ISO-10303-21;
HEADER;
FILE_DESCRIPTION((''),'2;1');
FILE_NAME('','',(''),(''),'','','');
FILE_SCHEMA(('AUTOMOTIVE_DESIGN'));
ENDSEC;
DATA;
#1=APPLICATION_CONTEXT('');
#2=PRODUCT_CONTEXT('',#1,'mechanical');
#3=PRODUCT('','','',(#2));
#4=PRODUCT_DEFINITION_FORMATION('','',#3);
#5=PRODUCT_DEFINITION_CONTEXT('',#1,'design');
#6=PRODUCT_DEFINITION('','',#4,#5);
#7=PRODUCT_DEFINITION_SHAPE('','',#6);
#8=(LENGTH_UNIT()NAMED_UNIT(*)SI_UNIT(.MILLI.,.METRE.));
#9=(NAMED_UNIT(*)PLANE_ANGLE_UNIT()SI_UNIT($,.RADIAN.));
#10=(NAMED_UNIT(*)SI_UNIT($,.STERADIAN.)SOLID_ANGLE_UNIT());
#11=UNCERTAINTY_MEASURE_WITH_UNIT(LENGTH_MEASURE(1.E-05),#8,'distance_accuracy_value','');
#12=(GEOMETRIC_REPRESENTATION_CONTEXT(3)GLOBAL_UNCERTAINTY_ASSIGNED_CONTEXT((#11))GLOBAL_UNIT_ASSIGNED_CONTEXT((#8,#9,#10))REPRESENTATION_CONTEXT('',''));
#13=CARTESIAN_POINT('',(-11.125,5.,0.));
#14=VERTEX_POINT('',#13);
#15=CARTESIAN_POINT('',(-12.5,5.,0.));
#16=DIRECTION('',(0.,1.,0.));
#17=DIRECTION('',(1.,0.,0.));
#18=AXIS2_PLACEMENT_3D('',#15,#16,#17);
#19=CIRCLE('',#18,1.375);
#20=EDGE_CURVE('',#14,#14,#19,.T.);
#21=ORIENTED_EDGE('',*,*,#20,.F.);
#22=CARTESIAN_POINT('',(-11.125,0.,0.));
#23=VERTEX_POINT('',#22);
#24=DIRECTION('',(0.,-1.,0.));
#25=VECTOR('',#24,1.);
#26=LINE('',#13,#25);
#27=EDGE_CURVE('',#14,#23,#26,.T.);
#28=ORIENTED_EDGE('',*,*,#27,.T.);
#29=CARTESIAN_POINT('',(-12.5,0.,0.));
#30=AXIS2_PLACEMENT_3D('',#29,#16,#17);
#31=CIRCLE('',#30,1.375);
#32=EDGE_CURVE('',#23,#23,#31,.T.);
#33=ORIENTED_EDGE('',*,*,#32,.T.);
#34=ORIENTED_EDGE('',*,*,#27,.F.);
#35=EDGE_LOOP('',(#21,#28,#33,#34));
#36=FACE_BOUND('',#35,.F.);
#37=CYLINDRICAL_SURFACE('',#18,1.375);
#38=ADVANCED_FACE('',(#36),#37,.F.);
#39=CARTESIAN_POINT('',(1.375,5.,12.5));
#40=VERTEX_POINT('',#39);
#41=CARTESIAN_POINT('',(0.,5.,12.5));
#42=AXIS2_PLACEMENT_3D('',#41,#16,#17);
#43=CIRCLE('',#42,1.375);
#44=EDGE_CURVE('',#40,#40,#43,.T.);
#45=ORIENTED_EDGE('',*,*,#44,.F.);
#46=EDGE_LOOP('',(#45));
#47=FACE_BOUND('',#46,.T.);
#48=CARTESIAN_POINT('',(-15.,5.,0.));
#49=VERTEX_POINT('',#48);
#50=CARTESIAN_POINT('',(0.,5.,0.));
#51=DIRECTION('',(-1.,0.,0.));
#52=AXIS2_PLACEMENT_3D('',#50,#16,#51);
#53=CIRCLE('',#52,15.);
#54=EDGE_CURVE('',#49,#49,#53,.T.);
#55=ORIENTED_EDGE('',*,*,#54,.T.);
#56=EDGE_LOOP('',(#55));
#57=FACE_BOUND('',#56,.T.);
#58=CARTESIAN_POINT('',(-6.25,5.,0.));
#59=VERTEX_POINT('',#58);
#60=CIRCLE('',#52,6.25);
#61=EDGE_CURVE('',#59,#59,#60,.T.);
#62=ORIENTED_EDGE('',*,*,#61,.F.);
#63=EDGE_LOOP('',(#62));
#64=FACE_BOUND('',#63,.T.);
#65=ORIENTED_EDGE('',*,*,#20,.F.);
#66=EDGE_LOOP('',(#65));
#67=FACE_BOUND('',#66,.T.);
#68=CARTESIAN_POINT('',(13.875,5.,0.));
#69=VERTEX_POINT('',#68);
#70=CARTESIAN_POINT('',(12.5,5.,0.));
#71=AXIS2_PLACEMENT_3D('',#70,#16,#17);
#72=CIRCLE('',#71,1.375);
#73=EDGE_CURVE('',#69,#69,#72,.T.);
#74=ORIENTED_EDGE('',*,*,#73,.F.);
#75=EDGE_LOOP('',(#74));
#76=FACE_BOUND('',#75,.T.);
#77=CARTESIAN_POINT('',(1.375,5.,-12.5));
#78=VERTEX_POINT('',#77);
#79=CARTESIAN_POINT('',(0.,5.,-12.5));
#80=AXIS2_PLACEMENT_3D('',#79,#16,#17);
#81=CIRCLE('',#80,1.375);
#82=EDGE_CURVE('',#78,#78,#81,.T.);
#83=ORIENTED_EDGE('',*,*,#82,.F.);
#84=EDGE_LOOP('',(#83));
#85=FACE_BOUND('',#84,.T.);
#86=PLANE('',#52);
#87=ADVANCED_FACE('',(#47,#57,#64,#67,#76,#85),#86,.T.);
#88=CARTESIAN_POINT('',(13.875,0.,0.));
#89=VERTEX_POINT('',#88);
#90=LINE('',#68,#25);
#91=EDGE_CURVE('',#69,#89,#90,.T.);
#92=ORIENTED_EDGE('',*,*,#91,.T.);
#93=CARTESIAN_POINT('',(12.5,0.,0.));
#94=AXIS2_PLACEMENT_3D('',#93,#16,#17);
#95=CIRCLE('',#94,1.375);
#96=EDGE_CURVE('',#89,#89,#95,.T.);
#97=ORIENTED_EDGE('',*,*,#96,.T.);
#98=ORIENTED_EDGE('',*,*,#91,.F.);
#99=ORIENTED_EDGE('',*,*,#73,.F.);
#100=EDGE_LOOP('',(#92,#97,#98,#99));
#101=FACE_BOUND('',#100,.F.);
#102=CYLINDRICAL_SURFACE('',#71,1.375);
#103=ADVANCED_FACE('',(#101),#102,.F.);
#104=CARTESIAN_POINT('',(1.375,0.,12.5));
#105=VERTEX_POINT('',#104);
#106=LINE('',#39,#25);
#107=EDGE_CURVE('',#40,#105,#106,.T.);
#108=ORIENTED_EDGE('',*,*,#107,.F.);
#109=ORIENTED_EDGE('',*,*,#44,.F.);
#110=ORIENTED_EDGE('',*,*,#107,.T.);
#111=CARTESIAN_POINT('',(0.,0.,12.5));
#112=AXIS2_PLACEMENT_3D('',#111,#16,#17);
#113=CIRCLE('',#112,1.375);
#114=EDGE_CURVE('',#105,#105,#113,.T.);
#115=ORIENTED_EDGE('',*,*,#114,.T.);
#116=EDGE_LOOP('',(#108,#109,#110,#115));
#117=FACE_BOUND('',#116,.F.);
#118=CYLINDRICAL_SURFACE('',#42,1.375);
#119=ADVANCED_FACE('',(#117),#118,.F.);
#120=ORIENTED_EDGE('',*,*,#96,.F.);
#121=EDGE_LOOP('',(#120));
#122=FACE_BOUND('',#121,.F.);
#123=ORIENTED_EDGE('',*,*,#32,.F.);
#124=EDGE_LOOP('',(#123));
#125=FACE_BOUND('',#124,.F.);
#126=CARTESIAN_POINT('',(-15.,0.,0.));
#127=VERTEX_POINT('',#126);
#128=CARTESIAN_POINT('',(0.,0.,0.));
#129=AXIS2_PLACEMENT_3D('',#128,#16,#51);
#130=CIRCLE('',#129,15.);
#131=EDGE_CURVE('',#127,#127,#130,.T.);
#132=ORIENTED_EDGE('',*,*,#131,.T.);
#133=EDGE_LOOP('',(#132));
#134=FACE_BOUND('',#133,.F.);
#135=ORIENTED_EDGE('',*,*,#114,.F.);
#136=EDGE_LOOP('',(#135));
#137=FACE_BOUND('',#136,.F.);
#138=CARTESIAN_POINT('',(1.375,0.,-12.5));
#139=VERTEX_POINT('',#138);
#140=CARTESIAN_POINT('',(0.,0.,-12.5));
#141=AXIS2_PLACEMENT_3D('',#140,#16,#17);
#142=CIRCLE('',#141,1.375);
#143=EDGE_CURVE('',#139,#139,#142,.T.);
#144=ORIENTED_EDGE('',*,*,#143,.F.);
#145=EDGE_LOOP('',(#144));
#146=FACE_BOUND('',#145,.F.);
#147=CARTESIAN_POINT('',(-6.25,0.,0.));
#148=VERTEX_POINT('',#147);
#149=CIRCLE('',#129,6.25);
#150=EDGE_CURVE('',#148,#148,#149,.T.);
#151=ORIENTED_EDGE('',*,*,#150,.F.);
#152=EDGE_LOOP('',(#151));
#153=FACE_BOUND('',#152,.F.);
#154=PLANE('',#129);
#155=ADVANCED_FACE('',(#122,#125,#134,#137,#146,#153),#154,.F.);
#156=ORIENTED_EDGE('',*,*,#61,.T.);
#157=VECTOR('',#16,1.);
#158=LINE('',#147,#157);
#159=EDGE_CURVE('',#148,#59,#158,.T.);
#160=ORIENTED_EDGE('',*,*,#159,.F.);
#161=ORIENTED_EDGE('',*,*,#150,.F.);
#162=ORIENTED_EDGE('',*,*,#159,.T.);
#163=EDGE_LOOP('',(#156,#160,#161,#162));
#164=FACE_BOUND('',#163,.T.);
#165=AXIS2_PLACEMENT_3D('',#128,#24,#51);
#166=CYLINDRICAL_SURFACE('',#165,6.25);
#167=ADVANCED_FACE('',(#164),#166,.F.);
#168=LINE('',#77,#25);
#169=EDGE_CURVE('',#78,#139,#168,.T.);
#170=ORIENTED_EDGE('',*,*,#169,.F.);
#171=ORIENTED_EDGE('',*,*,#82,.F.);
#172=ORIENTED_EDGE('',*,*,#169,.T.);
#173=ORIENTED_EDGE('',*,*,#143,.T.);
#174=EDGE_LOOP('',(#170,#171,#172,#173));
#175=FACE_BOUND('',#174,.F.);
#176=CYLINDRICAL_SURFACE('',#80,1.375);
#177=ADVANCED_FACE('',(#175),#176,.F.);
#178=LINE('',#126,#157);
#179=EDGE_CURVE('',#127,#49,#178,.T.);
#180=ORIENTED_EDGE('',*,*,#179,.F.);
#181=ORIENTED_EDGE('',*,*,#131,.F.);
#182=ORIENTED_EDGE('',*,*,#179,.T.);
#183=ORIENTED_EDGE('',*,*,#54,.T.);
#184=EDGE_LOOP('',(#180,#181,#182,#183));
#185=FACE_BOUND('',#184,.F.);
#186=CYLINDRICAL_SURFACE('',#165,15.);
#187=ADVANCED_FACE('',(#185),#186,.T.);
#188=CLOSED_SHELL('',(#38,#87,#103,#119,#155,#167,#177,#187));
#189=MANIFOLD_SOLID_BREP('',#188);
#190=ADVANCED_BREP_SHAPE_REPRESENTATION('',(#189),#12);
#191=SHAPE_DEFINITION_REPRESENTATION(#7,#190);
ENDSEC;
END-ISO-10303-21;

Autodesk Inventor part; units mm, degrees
ref_plane "YZ Plane" through (0, 0, 0) normal (1, 0, 0) x (0, 1, 0)
ref_plane "XZ Plane" through (0, 0, 0) normal (0, 1, 0) x (-1, 0, 0)
ref_plane "XY Plane" through (0, 0, 0) normal (0, 0, 1) x (1, 0, 0)
sketch "Sketch1" plane through (0, 0, 0) normal (0, 1, 0) x (-1, 0, 0)
  circle A0 centre (0, 0) radius 15
  circle A1 centre (0, 0) radius 6.25
  dimension "d0" = 30
  dimension "d1" = 12.5
extrude "Extrusion1" add sketch "Sketch1" along normal blind 5
sketch "Sketch2" plane through (0, 5, 0) normal (0, 1, 0) x (1, 0, 0)
  line L0 (0, 0) -> (0, 15) construction
  circle A0 centre (0, 0) radius 15 construction
  circle A1 centre (0, 0) radius 12.5 construction
  line L1 (-12.5, 0) -> (0, 12.5) construction
  line L2 (0, 12.5) -> (12.5, 0) construction
  line L3 (12.5, 0) -> (0, -12.5) construction
  line L4 (0, -12.5) -> (-12.5, 0) construction
  line L5 (0, 0) -> (-15, 0) construction
  circle A2 centre (0, 12.5) radius 1.375
  circle A3 centre (-12.5, 0) radius 1.375
  circle A4 centre (0, -12.5) radius 1.375
  circle A5 centre (12.5, 0) radius 1.375
  dimension "d4" = 25
  dimension "d5" = 2.75
  dimension "d6" = 2.75
  dimension "d7" = 2.75
  dimension "d8" = 2.75
extrude "Extrusion2" cut sketch "Sketch2" against normal blind 5
properties part number "ground_support_3"
